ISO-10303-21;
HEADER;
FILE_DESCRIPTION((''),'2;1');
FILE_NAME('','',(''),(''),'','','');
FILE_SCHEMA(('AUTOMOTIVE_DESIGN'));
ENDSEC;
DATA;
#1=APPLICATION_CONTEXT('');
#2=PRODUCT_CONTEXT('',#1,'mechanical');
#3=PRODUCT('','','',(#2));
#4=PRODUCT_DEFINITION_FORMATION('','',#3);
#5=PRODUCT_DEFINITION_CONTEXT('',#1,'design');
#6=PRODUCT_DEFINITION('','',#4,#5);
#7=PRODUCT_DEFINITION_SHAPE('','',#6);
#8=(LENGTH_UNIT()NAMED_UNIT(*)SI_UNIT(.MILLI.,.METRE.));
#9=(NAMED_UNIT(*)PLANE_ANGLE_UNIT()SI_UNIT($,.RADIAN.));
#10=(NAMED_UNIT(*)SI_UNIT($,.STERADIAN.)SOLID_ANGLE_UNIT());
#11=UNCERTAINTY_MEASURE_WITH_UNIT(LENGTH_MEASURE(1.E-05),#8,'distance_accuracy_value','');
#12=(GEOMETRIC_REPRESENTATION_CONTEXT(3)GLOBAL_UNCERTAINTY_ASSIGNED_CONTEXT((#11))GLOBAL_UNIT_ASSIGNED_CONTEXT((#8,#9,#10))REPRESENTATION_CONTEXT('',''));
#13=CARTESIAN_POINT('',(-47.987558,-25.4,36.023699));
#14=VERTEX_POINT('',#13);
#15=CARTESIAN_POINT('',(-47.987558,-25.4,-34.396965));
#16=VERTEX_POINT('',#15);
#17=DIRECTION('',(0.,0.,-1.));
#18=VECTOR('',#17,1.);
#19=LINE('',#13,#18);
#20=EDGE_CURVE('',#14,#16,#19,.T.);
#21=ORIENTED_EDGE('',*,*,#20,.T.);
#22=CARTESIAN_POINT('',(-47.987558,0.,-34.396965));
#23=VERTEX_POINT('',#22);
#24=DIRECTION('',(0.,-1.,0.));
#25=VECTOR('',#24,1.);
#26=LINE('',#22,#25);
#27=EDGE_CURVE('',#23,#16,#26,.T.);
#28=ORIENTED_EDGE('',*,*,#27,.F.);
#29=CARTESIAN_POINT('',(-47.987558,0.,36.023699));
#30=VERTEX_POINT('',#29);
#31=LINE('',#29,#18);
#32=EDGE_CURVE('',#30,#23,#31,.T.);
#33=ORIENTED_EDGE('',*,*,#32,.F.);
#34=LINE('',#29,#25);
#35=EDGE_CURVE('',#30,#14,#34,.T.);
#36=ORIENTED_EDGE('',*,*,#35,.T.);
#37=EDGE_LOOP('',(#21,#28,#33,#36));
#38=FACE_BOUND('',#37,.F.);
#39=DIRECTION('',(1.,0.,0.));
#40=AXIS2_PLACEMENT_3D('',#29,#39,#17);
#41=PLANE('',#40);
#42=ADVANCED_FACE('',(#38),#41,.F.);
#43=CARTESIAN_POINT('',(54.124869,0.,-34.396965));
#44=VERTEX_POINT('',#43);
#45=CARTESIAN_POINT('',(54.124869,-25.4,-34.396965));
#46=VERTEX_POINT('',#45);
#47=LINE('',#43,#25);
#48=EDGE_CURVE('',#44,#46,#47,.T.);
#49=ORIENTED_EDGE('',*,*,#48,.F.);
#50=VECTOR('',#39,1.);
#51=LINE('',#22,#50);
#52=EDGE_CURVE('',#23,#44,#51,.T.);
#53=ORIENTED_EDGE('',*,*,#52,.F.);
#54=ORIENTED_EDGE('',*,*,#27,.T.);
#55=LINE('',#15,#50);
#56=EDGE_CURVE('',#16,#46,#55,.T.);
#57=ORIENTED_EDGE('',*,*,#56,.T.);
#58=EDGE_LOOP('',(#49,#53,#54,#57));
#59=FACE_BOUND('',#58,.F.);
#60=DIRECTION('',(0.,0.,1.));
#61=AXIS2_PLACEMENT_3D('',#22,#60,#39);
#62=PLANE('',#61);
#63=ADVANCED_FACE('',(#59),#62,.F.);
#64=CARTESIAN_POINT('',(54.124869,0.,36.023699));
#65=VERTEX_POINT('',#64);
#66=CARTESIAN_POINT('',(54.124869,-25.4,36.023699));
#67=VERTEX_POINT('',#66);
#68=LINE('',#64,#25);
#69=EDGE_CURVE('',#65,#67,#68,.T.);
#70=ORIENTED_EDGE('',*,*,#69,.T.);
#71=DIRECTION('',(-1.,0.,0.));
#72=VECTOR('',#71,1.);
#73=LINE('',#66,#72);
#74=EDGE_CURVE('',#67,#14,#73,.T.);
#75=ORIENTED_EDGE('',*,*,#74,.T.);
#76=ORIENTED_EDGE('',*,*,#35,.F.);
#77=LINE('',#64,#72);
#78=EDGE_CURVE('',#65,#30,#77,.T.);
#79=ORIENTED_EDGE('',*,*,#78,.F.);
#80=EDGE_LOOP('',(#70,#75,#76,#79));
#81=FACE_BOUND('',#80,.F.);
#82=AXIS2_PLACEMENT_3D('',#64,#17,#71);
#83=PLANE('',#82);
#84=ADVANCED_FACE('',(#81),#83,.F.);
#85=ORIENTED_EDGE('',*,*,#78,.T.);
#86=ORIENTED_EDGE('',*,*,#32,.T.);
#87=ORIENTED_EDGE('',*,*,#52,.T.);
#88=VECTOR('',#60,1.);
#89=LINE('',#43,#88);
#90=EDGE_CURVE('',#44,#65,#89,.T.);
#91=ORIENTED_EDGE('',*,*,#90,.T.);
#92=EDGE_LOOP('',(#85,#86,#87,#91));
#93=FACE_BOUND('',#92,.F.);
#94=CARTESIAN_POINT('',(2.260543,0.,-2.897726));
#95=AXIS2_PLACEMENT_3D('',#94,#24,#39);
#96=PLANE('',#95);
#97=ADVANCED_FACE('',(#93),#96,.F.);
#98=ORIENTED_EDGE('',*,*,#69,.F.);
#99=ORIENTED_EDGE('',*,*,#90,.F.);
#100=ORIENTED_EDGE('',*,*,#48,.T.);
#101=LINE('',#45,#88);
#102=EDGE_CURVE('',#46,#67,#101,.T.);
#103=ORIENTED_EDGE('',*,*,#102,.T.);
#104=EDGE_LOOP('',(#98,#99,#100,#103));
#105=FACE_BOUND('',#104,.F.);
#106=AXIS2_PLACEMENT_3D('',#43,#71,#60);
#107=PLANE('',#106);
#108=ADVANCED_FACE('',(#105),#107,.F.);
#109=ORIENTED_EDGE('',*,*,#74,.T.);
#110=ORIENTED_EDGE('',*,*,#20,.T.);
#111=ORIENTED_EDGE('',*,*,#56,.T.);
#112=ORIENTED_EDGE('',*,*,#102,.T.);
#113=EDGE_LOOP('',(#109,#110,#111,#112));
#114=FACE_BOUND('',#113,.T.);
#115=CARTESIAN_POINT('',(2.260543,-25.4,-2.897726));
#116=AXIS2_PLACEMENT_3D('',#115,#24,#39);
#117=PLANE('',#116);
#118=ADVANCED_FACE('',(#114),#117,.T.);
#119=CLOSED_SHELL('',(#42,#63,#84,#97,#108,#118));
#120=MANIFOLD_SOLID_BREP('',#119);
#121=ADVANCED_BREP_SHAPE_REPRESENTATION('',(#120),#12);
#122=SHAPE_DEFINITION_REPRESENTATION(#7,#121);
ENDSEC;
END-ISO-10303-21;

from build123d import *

# Parameters (mm, degrees)
F0_W     = 35.7764363289
F0_H     = 36.0236987472
F1_DEPTH = 25.4


with BuildPart() as f1:
    # F0 (on Front) → F1 (new body)
    with BuildSketch(Plane.XZ):
        Polygon((-25.5451928824, 36.0236987472), (-47.9875579476, 36.0236987472), (-47.9875579476, -34.3969650567), (54.1248694062, -34.3969650567), (54.1248694062, 36.0236987472), (35.7764363289, 36.0236987472), (35.7764363289, 0), (0, 0), (0, -16.1161720753), (-25.5451928824, -16.1161720753), align=None)
        Polygon((0, 36.0236987472), (-25.5451928824, 36.0236987472), (-25.5451928824, -16.1161720753), (0, -16.1161720753), (0, 0), align=None)
        with Locations((17.8882181644, 18.0118493736)):
            Rectangle(F0_W, F0_H)
    extrude(amount=F1_DEPTH)


solid = f1.part
